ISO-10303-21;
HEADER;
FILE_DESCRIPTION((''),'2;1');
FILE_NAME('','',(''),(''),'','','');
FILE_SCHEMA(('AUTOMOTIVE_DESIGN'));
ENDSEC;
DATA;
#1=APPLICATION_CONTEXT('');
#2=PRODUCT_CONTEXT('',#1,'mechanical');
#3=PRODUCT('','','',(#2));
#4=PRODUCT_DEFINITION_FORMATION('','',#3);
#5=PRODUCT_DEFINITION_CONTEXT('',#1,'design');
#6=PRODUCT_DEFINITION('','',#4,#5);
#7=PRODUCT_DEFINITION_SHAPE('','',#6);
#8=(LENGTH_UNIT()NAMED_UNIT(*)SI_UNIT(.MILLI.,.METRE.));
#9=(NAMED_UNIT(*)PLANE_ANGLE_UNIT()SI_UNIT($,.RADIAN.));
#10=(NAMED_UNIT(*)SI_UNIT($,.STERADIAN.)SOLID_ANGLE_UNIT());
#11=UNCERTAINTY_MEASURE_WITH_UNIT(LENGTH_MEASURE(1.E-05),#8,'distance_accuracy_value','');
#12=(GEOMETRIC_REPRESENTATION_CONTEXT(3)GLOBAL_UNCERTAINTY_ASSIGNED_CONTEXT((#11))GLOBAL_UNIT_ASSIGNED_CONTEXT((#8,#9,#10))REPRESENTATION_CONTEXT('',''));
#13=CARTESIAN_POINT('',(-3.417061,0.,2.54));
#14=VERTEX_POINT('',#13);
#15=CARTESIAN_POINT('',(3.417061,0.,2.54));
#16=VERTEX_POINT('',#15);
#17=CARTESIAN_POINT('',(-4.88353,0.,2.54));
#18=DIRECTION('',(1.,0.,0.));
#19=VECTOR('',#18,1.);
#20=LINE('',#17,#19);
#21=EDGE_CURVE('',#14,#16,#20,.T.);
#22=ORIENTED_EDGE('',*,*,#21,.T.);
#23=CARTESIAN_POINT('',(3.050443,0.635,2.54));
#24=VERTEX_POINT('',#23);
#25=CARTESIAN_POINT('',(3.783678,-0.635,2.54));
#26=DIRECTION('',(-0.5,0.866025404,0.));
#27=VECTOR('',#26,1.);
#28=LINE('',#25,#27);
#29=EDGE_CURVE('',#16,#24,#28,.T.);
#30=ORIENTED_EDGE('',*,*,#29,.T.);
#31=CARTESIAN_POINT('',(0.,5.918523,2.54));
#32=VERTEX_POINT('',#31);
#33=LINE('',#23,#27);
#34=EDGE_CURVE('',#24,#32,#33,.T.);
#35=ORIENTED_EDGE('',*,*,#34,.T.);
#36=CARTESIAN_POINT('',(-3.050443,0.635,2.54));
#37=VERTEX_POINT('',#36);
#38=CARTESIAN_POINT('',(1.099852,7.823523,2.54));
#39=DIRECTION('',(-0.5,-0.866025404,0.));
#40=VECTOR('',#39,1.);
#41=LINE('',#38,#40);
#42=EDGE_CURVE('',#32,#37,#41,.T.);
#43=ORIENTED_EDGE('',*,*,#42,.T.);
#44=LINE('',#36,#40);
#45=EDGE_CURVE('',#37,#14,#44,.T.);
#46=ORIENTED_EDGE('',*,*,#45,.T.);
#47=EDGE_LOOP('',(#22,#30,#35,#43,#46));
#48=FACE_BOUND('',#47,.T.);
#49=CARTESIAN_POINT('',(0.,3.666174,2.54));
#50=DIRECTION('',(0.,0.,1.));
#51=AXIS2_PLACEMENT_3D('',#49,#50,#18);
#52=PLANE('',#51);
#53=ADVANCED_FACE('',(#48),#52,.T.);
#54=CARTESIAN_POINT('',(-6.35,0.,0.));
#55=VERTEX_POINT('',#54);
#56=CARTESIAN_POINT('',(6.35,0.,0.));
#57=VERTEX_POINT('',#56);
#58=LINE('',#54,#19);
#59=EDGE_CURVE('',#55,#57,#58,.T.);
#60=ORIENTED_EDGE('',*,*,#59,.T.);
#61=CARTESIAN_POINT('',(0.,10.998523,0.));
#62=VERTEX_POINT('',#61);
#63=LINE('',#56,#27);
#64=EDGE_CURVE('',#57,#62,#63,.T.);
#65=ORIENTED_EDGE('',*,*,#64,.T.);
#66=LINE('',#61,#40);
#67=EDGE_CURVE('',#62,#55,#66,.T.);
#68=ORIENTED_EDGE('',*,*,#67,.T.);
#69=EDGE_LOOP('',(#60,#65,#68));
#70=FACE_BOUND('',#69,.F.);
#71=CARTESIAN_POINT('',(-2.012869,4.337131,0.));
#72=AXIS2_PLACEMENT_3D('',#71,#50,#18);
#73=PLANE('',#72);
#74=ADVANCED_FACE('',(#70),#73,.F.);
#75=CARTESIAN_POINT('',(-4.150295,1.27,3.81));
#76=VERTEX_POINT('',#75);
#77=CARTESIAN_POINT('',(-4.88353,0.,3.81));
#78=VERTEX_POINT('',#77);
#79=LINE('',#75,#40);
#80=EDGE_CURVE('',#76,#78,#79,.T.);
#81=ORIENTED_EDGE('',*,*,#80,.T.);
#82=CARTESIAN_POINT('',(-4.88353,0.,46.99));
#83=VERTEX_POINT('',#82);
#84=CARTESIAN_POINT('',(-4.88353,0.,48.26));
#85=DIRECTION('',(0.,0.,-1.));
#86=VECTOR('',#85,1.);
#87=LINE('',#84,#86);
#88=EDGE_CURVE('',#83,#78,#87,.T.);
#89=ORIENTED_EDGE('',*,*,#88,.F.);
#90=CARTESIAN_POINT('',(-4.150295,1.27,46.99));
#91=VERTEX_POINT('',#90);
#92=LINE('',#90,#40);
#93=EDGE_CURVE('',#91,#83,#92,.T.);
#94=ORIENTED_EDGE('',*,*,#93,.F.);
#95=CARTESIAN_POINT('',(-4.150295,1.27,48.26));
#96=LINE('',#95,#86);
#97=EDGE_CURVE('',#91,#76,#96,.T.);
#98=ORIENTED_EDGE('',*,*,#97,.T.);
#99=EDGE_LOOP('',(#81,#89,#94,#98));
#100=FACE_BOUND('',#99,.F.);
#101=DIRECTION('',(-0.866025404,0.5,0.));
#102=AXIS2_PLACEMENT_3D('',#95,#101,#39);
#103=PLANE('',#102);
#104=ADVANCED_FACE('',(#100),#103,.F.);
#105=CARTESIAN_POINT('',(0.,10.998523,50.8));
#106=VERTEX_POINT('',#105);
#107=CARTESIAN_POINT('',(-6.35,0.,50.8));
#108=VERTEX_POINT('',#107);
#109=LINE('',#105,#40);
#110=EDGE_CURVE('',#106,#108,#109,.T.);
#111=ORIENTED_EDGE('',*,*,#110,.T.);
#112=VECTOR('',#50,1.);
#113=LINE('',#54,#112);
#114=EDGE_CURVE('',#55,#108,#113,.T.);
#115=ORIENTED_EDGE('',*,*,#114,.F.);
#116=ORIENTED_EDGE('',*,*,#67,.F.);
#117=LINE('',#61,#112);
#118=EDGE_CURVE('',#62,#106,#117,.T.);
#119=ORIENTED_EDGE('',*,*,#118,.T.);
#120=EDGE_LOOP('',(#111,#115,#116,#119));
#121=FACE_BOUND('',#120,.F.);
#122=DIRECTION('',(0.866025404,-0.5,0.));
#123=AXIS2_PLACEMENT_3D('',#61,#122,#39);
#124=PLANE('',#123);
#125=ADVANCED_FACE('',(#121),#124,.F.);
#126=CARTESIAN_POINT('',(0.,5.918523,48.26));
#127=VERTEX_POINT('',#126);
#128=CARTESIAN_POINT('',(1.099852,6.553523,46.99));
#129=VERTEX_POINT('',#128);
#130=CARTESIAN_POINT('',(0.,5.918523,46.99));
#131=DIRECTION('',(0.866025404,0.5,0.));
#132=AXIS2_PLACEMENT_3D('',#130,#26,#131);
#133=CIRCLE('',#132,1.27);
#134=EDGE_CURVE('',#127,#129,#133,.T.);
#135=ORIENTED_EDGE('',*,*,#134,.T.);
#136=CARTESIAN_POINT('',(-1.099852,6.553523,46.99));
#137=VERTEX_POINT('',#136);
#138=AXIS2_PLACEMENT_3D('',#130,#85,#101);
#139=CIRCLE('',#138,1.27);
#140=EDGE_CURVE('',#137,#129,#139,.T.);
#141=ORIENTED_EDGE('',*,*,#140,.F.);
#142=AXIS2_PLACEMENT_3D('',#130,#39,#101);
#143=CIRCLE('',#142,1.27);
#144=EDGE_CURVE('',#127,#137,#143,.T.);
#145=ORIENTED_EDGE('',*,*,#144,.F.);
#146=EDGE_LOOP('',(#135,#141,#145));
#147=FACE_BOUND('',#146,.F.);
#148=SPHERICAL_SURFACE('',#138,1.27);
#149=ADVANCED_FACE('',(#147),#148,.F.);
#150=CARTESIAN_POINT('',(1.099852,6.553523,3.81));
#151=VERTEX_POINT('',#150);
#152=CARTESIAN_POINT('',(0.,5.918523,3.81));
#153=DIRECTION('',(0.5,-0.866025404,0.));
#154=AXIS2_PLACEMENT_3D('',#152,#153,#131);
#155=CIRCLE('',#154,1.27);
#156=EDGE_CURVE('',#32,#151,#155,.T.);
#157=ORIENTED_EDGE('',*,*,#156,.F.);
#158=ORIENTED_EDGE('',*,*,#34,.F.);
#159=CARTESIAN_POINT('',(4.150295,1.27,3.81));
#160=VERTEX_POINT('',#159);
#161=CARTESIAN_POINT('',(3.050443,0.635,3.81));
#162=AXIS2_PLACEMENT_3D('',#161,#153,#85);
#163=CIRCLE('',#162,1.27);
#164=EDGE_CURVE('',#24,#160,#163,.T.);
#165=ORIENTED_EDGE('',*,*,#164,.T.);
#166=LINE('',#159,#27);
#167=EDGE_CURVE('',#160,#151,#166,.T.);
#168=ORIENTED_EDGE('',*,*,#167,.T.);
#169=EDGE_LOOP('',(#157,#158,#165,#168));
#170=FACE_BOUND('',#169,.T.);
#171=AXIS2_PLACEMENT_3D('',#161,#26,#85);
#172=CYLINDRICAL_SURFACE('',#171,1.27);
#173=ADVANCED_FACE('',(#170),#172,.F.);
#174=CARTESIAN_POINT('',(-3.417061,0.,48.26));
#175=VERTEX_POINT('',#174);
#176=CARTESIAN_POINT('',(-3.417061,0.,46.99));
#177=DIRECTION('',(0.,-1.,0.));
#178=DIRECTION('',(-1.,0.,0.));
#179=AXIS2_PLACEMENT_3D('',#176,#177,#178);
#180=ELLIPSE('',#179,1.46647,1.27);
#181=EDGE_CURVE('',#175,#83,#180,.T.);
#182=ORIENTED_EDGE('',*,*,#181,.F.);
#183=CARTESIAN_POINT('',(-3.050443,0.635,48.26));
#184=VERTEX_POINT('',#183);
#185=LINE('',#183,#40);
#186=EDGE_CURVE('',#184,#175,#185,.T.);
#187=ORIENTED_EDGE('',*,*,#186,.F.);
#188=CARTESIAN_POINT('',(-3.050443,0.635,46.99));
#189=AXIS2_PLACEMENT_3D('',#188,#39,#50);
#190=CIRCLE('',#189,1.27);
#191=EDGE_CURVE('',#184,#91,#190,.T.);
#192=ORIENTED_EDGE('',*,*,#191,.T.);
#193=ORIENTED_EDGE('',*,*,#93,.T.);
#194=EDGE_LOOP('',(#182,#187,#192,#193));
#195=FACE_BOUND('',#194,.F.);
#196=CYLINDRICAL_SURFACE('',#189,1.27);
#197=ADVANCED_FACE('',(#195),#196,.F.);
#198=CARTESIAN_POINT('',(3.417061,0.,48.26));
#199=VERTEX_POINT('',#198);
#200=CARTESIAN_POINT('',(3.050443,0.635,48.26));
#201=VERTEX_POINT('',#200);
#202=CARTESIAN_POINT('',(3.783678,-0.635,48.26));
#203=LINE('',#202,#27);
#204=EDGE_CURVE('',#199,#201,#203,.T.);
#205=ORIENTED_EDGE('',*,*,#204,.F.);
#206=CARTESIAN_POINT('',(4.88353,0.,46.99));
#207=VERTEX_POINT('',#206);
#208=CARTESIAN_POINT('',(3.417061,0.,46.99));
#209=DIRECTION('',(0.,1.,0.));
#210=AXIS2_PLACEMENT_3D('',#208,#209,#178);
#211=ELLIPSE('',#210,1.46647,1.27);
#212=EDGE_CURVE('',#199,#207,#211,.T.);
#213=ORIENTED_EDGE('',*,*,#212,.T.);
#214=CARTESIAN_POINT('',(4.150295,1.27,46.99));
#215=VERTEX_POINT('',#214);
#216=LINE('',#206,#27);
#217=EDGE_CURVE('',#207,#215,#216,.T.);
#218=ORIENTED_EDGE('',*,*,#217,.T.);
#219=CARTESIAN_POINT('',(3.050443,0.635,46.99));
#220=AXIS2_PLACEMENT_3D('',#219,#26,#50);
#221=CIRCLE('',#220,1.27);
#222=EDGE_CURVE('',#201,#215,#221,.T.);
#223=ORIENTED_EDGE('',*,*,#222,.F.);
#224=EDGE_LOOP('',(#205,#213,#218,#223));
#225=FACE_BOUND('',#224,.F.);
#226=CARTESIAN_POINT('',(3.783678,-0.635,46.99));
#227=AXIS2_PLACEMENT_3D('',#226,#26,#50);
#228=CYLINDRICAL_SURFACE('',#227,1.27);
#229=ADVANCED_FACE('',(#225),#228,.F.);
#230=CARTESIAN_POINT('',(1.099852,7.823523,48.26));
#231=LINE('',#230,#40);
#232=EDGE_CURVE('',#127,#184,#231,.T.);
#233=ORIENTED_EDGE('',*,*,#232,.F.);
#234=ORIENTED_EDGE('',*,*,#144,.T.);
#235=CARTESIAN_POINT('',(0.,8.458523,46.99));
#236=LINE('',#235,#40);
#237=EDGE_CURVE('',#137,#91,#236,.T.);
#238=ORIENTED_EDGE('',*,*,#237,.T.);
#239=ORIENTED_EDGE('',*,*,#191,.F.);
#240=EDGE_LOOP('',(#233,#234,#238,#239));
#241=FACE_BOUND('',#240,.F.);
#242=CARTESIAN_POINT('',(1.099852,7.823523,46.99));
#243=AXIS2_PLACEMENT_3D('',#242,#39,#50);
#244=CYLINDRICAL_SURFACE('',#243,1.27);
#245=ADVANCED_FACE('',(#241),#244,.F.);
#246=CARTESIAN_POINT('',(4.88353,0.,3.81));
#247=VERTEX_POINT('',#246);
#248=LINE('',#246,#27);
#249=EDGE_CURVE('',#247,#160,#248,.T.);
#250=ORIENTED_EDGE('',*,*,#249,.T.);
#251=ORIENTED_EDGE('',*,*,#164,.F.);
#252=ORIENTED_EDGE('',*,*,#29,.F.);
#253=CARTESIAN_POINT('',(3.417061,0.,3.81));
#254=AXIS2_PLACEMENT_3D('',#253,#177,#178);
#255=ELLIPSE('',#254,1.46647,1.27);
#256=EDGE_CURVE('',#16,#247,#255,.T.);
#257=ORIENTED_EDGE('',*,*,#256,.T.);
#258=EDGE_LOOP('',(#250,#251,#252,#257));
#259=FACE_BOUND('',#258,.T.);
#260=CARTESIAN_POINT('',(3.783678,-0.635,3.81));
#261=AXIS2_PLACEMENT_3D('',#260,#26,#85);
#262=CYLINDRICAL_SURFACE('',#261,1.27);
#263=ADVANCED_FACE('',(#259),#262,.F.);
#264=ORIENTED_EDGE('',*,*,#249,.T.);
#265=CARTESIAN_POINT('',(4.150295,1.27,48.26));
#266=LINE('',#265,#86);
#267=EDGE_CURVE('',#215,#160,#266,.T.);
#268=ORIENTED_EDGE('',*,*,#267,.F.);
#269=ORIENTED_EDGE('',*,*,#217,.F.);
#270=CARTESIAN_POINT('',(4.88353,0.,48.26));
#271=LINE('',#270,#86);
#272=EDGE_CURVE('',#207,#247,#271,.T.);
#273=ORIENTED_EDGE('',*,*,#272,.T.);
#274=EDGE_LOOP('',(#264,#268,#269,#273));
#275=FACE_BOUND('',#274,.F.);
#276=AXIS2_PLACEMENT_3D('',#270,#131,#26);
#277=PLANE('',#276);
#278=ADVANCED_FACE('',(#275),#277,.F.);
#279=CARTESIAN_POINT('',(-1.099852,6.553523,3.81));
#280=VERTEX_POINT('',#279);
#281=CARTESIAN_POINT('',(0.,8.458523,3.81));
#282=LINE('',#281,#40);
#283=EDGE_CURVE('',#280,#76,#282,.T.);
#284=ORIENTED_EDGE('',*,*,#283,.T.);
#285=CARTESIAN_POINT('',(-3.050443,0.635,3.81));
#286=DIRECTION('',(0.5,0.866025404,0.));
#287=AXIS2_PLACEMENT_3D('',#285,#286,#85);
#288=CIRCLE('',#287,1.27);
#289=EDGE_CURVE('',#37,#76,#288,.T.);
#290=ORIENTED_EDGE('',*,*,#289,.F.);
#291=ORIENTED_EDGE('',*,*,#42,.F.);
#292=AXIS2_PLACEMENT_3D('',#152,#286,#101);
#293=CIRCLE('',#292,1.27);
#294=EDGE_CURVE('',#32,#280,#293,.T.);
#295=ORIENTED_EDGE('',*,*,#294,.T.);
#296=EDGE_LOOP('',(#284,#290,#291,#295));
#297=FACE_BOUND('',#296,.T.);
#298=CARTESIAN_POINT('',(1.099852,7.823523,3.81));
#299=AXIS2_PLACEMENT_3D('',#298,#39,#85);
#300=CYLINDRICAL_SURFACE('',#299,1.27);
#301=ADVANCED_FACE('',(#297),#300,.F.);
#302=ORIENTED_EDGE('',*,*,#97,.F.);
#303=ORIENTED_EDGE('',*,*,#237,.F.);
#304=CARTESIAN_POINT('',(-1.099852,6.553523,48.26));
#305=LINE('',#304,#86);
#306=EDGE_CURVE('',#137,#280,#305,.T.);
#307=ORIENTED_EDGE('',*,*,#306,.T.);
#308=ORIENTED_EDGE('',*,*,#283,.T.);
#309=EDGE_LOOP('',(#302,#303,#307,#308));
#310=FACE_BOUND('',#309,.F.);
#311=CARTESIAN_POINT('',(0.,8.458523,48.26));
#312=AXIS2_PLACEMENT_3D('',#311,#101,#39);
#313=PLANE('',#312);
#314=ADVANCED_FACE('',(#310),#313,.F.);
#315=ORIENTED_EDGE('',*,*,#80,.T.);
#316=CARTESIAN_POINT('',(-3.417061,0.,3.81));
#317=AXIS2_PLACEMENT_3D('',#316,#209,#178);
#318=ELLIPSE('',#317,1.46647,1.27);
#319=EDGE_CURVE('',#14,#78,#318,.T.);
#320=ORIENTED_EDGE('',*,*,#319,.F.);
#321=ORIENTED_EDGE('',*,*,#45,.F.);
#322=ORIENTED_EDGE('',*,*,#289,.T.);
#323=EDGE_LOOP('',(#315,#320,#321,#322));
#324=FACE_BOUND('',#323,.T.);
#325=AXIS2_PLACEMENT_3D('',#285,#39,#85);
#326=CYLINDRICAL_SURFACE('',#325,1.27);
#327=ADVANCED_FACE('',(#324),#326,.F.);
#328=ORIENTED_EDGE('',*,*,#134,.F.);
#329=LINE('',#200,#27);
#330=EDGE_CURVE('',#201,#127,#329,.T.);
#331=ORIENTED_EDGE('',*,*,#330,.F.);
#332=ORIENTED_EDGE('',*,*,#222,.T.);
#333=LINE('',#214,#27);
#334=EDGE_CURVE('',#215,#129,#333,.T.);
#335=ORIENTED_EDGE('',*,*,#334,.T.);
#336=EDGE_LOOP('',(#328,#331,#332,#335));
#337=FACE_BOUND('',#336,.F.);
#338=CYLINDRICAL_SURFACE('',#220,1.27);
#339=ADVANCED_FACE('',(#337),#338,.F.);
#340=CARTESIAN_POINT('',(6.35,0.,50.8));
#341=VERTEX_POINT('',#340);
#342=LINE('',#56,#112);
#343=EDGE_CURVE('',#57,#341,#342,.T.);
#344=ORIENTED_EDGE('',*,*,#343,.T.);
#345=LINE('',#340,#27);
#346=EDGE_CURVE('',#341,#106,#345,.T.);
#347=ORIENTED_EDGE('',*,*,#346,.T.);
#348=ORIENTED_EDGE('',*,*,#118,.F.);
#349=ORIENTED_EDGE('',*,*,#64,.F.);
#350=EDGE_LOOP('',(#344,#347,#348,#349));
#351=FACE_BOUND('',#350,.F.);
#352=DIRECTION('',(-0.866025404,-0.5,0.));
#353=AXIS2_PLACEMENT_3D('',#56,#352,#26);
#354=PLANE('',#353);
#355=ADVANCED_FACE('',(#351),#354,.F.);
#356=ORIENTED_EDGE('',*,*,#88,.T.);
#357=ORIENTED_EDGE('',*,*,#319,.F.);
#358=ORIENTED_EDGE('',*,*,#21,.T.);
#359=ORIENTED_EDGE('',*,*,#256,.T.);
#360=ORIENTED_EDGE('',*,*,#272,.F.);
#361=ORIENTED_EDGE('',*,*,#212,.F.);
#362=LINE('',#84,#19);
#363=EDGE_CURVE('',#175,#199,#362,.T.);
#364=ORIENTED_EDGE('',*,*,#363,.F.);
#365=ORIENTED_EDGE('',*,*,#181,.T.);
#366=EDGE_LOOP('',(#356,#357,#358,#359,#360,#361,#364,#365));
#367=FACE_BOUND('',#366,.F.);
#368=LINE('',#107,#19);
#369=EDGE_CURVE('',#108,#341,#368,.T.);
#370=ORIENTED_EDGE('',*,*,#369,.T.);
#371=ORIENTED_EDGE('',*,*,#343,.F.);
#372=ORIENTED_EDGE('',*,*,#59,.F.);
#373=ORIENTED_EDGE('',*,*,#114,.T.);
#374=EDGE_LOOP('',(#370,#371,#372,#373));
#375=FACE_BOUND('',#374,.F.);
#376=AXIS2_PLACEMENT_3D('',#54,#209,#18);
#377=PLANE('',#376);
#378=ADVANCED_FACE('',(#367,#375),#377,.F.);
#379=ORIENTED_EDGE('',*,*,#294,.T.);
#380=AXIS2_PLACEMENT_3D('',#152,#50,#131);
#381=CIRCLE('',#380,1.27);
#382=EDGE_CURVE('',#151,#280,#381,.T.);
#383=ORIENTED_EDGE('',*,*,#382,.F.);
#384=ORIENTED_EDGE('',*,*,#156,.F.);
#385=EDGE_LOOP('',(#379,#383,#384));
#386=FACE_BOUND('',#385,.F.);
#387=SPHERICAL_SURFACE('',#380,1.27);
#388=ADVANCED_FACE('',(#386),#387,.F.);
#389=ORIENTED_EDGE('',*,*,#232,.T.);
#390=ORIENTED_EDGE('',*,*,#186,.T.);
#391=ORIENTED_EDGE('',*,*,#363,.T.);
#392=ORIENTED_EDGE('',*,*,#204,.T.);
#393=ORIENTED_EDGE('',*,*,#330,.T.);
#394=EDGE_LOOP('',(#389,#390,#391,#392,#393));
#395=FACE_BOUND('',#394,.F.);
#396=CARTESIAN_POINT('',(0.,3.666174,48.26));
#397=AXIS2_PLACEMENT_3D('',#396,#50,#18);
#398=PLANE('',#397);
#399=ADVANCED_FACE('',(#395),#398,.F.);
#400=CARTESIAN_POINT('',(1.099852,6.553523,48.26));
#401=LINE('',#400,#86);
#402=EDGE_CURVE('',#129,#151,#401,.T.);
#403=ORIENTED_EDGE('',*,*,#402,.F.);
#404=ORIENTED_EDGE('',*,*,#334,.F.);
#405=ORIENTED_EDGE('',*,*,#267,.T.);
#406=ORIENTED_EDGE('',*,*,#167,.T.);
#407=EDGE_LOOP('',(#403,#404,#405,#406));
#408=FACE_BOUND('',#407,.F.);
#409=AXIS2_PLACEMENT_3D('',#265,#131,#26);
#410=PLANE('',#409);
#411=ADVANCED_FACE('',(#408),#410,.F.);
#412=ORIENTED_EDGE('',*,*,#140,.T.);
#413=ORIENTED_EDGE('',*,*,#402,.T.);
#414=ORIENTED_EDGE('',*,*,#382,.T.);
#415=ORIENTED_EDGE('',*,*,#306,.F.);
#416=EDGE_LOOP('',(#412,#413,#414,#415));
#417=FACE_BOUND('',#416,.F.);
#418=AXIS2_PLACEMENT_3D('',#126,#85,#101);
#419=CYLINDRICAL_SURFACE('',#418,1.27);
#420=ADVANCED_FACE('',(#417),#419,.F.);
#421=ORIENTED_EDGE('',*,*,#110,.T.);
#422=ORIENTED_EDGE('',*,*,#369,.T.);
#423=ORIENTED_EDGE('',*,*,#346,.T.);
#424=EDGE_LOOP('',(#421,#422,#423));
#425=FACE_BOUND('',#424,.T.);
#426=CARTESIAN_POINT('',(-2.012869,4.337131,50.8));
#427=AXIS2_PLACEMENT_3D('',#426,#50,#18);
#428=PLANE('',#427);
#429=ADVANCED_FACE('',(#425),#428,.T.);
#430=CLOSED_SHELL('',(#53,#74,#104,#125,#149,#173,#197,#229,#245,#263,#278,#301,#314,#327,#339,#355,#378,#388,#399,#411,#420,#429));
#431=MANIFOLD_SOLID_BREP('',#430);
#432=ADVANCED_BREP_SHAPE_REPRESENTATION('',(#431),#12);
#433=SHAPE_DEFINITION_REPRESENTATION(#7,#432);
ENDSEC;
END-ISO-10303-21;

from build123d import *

# Parameters (mm, degrees)
F1_DEPTH = 50.8
F4_DEPTH = 45.72
F5_R     = 1.27


with BuildPart() as f1:
    # F0 (on Top) → F1 (new body)
    with BuildSketch(Plane.XY):
        Polygon((-6.35, 0), (0, 0), (0, 10.9985226281), align=None)
        Polygon((0, 10.9985226281), (0, 0), (6.35, 0), align=None)
    extrude(amount=F1_DEPTH)

    # F3 (on offset) → F4 (cut)
    with BuildSketch(Plane.XY.offset(48.26)):
        Polygon((0, 8.4585226281), (-4.1502954744, 1.27), (4.1502954744, 1.27), align=None)
        Polygon((4.1502954744, 1.27), (-4.1502954744, 1.27), (-4.8835303163, 0), (4.8835303163, 0), align=None)
    extrude(amount=-F4_DEPTH, mode=Mode.SUBTRACT)

    # F5
    f5_edges = [f1.edges().sort_by_distance(p)[0] for p in [
        (0, 8.458523, 25.4),
        (2.441765, 4.229261, 2.54),
        (-2.441765, 4.229261, 2.54),
        (-2.441765, 4.229261, 48.26),
        (2.441765, 4.229261, 48.26),
    ]]
    fillet(f5_edges, radius=F5_R)


solid = f1.part
